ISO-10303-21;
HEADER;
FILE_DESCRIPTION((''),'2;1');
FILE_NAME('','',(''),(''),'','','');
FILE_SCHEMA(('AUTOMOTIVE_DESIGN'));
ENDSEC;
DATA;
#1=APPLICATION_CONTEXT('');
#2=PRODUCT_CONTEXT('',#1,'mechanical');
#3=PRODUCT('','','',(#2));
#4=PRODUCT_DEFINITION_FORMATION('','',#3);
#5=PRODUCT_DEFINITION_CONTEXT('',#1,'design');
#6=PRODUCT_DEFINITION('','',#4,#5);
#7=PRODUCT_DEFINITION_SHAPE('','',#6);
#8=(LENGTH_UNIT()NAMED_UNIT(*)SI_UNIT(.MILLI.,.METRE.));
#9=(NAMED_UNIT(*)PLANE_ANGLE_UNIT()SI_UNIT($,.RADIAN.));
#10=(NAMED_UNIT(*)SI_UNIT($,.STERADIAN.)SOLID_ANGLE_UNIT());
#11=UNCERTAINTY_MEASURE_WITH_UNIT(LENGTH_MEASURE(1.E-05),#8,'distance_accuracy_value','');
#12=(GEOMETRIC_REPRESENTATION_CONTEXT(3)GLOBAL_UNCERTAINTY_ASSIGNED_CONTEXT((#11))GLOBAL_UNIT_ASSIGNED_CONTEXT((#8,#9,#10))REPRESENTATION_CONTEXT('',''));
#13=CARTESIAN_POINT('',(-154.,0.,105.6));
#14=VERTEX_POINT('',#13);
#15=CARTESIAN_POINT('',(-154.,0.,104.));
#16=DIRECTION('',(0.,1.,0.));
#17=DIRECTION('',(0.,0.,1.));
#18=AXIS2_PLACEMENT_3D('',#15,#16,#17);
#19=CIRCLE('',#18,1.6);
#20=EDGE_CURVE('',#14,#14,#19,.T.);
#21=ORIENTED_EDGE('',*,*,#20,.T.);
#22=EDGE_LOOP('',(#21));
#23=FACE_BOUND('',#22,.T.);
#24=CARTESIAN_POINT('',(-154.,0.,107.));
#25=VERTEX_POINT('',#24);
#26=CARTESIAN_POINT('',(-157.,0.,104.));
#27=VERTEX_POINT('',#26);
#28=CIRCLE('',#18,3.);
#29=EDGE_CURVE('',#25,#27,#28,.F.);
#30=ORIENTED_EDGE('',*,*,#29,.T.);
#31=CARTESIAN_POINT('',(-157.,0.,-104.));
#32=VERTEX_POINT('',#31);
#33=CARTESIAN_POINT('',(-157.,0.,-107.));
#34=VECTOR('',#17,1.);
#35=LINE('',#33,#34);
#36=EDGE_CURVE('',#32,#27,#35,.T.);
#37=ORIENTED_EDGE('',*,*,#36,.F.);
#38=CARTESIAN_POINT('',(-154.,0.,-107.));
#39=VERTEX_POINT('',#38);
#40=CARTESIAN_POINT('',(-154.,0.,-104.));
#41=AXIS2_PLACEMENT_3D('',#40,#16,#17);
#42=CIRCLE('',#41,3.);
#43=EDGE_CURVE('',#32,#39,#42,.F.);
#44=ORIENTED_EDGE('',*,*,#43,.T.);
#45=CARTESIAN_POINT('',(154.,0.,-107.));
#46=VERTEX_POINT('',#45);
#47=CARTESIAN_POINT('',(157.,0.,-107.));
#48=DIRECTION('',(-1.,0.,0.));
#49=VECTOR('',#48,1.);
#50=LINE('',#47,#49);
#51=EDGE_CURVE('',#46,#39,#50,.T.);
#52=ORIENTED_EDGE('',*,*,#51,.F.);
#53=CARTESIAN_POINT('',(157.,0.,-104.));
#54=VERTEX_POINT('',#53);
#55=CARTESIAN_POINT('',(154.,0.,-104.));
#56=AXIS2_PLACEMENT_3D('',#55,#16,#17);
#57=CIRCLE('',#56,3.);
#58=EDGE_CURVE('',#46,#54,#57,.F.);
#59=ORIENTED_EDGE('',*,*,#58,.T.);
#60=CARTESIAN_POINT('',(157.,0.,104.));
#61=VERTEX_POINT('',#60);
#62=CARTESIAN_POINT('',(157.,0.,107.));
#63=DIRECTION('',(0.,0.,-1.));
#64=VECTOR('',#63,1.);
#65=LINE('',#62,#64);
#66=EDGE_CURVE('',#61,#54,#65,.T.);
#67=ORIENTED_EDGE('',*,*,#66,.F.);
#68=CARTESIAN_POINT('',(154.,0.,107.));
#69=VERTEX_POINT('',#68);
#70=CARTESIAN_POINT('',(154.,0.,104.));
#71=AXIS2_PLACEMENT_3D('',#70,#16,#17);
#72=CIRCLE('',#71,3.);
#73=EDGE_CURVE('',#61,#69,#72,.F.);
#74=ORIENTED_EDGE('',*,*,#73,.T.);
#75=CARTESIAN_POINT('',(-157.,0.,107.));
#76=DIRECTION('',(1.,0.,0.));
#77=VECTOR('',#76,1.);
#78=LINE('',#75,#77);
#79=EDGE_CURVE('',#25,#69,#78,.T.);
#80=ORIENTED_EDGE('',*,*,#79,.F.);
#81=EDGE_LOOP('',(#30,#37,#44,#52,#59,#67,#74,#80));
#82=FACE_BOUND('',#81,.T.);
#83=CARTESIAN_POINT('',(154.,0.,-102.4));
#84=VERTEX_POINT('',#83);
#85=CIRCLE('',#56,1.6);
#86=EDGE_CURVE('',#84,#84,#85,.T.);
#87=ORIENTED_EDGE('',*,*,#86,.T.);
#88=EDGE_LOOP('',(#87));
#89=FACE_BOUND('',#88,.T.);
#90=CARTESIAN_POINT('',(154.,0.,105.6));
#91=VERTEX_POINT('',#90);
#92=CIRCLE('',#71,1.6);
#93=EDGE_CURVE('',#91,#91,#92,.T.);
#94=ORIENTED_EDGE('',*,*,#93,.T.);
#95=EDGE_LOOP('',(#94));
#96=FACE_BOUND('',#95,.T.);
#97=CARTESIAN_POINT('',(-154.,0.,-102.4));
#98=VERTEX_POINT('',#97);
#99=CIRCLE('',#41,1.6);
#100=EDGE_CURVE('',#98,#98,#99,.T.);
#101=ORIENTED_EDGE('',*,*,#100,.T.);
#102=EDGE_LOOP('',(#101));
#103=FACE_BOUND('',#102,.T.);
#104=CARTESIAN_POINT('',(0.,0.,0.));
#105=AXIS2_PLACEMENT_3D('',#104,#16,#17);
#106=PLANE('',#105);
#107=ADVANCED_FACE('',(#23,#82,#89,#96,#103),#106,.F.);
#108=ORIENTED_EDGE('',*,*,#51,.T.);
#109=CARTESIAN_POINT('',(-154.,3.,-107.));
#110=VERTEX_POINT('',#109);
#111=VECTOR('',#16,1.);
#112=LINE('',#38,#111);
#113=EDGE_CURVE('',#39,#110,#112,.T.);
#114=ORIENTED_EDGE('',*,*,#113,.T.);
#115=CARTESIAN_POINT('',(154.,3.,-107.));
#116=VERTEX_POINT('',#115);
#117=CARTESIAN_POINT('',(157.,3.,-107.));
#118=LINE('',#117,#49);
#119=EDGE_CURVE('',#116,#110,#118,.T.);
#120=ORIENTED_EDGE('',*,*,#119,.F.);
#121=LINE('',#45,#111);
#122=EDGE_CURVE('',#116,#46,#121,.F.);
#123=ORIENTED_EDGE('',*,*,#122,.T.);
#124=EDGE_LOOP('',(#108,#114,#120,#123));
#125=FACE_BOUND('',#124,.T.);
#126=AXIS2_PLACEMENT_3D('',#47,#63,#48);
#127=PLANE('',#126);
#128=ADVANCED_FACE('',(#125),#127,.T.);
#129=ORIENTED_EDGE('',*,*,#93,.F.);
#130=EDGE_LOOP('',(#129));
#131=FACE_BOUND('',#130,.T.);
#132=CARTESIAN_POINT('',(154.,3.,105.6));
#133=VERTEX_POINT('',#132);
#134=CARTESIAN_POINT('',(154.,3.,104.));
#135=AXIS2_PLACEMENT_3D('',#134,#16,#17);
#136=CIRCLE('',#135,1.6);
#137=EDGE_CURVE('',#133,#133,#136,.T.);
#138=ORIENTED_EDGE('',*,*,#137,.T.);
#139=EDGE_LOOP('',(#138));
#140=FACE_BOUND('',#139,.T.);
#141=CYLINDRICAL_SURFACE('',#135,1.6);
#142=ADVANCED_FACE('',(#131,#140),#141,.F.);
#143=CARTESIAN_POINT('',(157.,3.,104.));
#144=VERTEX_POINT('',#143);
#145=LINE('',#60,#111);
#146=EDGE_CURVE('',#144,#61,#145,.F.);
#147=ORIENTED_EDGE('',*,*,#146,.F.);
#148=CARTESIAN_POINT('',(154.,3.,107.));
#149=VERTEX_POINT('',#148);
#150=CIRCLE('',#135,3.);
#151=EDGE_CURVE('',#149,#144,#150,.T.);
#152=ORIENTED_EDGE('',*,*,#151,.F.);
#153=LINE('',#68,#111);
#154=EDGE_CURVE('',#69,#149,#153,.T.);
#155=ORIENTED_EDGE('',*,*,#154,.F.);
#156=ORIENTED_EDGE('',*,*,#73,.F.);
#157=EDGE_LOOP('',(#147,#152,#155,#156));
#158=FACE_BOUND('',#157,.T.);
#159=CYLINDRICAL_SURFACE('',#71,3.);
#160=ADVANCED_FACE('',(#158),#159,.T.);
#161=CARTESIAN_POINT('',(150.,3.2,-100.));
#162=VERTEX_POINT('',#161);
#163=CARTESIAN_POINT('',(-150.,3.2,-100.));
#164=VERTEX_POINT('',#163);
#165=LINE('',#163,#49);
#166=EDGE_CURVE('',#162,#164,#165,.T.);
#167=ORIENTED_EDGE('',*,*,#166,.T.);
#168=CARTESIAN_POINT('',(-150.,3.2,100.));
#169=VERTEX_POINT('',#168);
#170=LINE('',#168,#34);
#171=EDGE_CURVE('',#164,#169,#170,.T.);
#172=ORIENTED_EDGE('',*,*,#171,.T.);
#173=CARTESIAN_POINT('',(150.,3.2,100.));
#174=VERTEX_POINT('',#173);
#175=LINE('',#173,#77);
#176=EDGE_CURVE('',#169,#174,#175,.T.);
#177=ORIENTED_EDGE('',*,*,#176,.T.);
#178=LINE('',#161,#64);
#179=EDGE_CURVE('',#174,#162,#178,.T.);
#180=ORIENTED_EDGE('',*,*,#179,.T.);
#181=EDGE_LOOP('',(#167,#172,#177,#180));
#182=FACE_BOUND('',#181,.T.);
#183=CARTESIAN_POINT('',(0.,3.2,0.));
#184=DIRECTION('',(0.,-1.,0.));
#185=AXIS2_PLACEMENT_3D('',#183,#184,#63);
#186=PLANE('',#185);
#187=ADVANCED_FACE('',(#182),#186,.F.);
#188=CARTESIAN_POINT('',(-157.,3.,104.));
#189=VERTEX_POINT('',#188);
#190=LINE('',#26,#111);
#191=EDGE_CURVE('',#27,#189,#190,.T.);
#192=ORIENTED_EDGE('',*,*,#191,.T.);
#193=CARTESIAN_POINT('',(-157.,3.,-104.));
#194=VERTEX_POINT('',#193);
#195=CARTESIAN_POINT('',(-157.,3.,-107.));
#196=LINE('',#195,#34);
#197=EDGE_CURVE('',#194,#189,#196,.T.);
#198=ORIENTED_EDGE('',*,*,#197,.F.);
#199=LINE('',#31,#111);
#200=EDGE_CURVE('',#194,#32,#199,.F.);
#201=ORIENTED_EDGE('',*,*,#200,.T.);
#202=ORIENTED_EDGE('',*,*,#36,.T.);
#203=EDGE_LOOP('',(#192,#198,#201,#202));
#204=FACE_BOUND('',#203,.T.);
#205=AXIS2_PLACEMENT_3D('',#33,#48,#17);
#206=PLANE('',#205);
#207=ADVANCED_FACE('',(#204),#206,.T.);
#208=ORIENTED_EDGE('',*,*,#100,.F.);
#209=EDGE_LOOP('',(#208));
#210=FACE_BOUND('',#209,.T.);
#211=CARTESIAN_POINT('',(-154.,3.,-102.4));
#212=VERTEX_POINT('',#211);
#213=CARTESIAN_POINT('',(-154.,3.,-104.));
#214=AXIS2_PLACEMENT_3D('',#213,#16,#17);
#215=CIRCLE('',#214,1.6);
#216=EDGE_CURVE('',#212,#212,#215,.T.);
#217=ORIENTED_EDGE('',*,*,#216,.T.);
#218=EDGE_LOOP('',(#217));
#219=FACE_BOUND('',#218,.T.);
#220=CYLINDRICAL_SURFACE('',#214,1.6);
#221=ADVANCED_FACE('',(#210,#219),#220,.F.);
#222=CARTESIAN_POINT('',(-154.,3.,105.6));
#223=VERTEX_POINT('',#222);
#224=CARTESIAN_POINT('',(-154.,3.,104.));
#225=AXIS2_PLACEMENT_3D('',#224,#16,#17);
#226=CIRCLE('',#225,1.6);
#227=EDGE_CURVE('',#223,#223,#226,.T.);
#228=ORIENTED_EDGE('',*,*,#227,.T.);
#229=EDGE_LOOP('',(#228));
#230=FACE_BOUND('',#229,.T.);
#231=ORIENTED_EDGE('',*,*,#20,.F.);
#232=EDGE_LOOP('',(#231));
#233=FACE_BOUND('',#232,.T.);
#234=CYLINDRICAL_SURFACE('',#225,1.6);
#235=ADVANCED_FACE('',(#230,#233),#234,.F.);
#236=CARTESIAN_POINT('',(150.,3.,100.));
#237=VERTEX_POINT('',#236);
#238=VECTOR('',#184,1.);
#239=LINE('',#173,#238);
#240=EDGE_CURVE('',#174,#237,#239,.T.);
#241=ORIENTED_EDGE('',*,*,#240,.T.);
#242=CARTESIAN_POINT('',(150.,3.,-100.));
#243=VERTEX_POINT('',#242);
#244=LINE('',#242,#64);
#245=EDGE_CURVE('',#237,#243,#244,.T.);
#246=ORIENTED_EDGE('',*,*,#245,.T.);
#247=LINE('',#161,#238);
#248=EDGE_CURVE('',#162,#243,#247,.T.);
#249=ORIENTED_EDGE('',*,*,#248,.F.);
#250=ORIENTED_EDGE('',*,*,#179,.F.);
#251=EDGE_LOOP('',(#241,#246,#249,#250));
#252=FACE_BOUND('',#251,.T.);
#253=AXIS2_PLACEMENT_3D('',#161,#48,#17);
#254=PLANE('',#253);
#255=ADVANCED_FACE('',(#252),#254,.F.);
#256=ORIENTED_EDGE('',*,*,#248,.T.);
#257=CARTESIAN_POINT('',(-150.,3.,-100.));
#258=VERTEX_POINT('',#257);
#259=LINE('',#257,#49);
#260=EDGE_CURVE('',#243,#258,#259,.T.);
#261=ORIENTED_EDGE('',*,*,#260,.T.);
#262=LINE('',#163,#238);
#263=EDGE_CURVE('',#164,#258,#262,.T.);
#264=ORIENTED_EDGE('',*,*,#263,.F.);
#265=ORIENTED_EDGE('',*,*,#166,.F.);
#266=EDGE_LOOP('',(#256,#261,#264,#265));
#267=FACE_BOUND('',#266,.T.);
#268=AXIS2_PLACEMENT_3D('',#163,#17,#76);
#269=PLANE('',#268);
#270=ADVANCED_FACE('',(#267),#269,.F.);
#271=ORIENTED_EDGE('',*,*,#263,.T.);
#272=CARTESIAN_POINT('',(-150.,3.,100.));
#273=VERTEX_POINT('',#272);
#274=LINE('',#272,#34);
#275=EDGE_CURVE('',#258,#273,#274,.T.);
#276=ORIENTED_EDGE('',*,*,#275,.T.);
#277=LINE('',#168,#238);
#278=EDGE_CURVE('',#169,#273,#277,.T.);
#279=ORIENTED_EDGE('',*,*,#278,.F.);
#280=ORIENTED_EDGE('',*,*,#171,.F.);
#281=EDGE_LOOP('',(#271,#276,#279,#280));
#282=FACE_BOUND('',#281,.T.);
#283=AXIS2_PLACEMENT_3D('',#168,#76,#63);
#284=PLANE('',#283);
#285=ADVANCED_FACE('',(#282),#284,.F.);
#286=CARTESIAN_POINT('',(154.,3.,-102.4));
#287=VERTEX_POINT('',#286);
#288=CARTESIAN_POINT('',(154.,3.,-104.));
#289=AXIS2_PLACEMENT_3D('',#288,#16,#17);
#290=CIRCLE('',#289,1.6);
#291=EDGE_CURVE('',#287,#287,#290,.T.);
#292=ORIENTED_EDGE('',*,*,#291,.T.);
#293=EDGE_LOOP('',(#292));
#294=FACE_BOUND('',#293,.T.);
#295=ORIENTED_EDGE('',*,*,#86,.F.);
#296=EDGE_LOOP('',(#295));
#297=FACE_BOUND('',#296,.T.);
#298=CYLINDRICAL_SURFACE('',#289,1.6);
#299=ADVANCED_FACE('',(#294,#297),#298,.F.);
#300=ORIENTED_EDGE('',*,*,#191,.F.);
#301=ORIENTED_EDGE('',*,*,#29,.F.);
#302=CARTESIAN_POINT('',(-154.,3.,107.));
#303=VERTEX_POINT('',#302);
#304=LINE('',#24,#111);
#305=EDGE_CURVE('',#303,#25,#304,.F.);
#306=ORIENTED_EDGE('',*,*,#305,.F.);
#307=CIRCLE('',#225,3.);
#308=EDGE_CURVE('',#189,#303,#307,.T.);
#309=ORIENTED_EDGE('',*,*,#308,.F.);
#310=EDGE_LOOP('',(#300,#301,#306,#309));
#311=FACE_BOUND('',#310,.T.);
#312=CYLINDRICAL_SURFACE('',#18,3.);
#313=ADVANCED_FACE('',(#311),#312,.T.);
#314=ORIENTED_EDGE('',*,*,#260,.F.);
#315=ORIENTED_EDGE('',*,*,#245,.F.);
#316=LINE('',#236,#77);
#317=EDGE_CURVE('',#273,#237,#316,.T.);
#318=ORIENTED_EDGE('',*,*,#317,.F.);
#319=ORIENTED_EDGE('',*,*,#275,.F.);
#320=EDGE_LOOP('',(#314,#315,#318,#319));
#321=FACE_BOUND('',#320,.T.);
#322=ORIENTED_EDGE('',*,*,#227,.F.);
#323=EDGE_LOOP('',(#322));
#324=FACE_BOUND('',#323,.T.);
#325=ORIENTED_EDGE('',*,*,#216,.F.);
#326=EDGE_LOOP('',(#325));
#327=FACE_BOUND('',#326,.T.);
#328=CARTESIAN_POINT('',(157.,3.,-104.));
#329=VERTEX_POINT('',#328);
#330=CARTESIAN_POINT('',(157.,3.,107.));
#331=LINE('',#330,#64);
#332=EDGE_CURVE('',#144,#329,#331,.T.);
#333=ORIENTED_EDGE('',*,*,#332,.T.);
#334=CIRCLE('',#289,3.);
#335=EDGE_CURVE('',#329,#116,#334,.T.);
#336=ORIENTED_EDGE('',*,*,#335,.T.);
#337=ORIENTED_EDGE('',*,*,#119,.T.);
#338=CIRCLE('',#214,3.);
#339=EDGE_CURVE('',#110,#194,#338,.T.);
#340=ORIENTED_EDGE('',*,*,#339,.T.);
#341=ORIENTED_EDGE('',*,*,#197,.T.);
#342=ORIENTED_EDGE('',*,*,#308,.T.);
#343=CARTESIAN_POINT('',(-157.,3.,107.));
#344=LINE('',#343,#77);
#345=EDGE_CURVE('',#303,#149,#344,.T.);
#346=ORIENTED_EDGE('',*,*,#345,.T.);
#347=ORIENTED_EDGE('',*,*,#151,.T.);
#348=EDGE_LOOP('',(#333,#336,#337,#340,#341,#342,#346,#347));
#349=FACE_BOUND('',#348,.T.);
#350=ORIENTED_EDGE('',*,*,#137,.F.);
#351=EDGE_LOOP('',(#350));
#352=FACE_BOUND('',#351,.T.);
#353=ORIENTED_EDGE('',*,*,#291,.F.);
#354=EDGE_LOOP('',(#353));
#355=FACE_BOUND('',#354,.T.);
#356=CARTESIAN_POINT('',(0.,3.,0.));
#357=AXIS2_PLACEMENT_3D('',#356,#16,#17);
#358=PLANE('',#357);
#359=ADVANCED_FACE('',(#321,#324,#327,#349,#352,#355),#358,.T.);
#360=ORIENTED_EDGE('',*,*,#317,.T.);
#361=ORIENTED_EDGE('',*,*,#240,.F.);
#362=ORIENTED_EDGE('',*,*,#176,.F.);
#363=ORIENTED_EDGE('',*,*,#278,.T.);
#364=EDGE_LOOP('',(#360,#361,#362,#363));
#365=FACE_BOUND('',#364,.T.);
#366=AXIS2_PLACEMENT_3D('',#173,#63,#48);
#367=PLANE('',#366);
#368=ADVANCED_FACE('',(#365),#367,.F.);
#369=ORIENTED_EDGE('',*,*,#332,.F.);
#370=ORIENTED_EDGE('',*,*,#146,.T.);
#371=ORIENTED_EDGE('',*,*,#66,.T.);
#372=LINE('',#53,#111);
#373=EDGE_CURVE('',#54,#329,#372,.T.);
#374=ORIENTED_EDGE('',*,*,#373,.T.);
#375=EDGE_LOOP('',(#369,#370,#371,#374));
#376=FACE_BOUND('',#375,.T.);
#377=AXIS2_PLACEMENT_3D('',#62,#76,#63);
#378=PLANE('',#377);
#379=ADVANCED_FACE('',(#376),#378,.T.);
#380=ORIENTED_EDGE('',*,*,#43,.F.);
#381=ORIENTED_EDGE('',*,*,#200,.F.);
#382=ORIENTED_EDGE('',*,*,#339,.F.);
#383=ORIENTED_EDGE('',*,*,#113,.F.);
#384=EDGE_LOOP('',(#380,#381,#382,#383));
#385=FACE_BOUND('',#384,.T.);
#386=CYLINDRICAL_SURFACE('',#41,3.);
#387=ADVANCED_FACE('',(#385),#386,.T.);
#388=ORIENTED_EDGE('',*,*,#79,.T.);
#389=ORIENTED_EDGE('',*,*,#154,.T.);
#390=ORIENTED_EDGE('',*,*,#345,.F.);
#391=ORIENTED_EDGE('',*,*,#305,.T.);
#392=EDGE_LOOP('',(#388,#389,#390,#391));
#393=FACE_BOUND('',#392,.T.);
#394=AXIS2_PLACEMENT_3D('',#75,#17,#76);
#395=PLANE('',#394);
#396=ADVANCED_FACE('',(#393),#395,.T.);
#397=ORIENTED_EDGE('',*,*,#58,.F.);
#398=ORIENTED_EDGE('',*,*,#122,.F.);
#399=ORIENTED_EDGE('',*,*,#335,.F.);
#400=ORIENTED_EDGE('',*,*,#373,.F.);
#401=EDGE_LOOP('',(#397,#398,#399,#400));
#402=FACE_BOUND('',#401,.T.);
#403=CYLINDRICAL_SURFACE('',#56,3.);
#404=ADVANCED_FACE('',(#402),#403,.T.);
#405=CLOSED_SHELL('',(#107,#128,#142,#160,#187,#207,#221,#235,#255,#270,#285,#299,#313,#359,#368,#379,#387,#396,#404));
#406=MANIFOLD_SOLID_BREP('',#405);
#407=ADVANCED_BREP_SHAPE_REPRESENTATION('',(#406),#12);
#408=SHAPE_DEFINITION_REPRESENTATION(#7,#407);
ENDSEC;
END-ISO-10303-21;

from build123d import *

# Parameters (mm, degrees)
SKETCH1_W                      = 314
SKETCH1_H                      = 214
BOSS_EXTRUDE1_DEPTH            = 3
SKETCH2_W                      = 300
SKETCH2_H                      = 200
BOSS_EXTRUDE2_DEPTH            = 0.2
F_3_2_3_2_DIAMETER_HOLE1_D     = 3.2
F_3_2_3_2_DIAMETER_HOLE1_DEPTH = 3
FILLET1_R                      = 3


with BuildPart() as part:
    # Sketch1 → Boss-Extrude1 (new body)
    with BuildSketch(Plane(origin=(0, 3, 0), x_dir=(1, 0, 0), z_dir=(0, 1, 0))):
        Rectangle(SKETCH1_W, SKETCH1_H)
    extrude(amount=-BOSS_EXTRUDE1_DEPTH)

    # Sketch2 → Boss-Extrude2 (add)
    with BuildSketch(Plane(origin=(0, 3, 0), x_dir=(-1, 0, 0), z_dir=(0, 1, 0))):
        Rectangle(SKETCH2_W, SKETCH2_H)
    extrude(amount=BOSS_EXTRUDE2_DEPTH)

    # Ø3.2 (3.2) Diameter Hole1
    with Locations(Plane(origin=(0, 3, 0), x_dir=(1, 0, 0), z_dir=(0, 1, 0))):
        with Locations((154, -104), (-154, -104), (154, 104), (-154, 104)):
            Hole(F_3_2_3_2_DIAMETER_HOLE1_D / 2, depth=F_3_2_3_2_DIAMETER_HOLE1_DEPTH)

    # Fillet1
    fillet1_edges = [part.edges().sort_by_distance(p)[0] for p in [
        (157, 1.5, 107),
        (-157, 1.5, 107),
        (-157, 1.5, -107),
        (157, 1.5, -107),
    ]]
    fillet(fillet1_edges, radius=FILLET1_R)


solid = part.part
